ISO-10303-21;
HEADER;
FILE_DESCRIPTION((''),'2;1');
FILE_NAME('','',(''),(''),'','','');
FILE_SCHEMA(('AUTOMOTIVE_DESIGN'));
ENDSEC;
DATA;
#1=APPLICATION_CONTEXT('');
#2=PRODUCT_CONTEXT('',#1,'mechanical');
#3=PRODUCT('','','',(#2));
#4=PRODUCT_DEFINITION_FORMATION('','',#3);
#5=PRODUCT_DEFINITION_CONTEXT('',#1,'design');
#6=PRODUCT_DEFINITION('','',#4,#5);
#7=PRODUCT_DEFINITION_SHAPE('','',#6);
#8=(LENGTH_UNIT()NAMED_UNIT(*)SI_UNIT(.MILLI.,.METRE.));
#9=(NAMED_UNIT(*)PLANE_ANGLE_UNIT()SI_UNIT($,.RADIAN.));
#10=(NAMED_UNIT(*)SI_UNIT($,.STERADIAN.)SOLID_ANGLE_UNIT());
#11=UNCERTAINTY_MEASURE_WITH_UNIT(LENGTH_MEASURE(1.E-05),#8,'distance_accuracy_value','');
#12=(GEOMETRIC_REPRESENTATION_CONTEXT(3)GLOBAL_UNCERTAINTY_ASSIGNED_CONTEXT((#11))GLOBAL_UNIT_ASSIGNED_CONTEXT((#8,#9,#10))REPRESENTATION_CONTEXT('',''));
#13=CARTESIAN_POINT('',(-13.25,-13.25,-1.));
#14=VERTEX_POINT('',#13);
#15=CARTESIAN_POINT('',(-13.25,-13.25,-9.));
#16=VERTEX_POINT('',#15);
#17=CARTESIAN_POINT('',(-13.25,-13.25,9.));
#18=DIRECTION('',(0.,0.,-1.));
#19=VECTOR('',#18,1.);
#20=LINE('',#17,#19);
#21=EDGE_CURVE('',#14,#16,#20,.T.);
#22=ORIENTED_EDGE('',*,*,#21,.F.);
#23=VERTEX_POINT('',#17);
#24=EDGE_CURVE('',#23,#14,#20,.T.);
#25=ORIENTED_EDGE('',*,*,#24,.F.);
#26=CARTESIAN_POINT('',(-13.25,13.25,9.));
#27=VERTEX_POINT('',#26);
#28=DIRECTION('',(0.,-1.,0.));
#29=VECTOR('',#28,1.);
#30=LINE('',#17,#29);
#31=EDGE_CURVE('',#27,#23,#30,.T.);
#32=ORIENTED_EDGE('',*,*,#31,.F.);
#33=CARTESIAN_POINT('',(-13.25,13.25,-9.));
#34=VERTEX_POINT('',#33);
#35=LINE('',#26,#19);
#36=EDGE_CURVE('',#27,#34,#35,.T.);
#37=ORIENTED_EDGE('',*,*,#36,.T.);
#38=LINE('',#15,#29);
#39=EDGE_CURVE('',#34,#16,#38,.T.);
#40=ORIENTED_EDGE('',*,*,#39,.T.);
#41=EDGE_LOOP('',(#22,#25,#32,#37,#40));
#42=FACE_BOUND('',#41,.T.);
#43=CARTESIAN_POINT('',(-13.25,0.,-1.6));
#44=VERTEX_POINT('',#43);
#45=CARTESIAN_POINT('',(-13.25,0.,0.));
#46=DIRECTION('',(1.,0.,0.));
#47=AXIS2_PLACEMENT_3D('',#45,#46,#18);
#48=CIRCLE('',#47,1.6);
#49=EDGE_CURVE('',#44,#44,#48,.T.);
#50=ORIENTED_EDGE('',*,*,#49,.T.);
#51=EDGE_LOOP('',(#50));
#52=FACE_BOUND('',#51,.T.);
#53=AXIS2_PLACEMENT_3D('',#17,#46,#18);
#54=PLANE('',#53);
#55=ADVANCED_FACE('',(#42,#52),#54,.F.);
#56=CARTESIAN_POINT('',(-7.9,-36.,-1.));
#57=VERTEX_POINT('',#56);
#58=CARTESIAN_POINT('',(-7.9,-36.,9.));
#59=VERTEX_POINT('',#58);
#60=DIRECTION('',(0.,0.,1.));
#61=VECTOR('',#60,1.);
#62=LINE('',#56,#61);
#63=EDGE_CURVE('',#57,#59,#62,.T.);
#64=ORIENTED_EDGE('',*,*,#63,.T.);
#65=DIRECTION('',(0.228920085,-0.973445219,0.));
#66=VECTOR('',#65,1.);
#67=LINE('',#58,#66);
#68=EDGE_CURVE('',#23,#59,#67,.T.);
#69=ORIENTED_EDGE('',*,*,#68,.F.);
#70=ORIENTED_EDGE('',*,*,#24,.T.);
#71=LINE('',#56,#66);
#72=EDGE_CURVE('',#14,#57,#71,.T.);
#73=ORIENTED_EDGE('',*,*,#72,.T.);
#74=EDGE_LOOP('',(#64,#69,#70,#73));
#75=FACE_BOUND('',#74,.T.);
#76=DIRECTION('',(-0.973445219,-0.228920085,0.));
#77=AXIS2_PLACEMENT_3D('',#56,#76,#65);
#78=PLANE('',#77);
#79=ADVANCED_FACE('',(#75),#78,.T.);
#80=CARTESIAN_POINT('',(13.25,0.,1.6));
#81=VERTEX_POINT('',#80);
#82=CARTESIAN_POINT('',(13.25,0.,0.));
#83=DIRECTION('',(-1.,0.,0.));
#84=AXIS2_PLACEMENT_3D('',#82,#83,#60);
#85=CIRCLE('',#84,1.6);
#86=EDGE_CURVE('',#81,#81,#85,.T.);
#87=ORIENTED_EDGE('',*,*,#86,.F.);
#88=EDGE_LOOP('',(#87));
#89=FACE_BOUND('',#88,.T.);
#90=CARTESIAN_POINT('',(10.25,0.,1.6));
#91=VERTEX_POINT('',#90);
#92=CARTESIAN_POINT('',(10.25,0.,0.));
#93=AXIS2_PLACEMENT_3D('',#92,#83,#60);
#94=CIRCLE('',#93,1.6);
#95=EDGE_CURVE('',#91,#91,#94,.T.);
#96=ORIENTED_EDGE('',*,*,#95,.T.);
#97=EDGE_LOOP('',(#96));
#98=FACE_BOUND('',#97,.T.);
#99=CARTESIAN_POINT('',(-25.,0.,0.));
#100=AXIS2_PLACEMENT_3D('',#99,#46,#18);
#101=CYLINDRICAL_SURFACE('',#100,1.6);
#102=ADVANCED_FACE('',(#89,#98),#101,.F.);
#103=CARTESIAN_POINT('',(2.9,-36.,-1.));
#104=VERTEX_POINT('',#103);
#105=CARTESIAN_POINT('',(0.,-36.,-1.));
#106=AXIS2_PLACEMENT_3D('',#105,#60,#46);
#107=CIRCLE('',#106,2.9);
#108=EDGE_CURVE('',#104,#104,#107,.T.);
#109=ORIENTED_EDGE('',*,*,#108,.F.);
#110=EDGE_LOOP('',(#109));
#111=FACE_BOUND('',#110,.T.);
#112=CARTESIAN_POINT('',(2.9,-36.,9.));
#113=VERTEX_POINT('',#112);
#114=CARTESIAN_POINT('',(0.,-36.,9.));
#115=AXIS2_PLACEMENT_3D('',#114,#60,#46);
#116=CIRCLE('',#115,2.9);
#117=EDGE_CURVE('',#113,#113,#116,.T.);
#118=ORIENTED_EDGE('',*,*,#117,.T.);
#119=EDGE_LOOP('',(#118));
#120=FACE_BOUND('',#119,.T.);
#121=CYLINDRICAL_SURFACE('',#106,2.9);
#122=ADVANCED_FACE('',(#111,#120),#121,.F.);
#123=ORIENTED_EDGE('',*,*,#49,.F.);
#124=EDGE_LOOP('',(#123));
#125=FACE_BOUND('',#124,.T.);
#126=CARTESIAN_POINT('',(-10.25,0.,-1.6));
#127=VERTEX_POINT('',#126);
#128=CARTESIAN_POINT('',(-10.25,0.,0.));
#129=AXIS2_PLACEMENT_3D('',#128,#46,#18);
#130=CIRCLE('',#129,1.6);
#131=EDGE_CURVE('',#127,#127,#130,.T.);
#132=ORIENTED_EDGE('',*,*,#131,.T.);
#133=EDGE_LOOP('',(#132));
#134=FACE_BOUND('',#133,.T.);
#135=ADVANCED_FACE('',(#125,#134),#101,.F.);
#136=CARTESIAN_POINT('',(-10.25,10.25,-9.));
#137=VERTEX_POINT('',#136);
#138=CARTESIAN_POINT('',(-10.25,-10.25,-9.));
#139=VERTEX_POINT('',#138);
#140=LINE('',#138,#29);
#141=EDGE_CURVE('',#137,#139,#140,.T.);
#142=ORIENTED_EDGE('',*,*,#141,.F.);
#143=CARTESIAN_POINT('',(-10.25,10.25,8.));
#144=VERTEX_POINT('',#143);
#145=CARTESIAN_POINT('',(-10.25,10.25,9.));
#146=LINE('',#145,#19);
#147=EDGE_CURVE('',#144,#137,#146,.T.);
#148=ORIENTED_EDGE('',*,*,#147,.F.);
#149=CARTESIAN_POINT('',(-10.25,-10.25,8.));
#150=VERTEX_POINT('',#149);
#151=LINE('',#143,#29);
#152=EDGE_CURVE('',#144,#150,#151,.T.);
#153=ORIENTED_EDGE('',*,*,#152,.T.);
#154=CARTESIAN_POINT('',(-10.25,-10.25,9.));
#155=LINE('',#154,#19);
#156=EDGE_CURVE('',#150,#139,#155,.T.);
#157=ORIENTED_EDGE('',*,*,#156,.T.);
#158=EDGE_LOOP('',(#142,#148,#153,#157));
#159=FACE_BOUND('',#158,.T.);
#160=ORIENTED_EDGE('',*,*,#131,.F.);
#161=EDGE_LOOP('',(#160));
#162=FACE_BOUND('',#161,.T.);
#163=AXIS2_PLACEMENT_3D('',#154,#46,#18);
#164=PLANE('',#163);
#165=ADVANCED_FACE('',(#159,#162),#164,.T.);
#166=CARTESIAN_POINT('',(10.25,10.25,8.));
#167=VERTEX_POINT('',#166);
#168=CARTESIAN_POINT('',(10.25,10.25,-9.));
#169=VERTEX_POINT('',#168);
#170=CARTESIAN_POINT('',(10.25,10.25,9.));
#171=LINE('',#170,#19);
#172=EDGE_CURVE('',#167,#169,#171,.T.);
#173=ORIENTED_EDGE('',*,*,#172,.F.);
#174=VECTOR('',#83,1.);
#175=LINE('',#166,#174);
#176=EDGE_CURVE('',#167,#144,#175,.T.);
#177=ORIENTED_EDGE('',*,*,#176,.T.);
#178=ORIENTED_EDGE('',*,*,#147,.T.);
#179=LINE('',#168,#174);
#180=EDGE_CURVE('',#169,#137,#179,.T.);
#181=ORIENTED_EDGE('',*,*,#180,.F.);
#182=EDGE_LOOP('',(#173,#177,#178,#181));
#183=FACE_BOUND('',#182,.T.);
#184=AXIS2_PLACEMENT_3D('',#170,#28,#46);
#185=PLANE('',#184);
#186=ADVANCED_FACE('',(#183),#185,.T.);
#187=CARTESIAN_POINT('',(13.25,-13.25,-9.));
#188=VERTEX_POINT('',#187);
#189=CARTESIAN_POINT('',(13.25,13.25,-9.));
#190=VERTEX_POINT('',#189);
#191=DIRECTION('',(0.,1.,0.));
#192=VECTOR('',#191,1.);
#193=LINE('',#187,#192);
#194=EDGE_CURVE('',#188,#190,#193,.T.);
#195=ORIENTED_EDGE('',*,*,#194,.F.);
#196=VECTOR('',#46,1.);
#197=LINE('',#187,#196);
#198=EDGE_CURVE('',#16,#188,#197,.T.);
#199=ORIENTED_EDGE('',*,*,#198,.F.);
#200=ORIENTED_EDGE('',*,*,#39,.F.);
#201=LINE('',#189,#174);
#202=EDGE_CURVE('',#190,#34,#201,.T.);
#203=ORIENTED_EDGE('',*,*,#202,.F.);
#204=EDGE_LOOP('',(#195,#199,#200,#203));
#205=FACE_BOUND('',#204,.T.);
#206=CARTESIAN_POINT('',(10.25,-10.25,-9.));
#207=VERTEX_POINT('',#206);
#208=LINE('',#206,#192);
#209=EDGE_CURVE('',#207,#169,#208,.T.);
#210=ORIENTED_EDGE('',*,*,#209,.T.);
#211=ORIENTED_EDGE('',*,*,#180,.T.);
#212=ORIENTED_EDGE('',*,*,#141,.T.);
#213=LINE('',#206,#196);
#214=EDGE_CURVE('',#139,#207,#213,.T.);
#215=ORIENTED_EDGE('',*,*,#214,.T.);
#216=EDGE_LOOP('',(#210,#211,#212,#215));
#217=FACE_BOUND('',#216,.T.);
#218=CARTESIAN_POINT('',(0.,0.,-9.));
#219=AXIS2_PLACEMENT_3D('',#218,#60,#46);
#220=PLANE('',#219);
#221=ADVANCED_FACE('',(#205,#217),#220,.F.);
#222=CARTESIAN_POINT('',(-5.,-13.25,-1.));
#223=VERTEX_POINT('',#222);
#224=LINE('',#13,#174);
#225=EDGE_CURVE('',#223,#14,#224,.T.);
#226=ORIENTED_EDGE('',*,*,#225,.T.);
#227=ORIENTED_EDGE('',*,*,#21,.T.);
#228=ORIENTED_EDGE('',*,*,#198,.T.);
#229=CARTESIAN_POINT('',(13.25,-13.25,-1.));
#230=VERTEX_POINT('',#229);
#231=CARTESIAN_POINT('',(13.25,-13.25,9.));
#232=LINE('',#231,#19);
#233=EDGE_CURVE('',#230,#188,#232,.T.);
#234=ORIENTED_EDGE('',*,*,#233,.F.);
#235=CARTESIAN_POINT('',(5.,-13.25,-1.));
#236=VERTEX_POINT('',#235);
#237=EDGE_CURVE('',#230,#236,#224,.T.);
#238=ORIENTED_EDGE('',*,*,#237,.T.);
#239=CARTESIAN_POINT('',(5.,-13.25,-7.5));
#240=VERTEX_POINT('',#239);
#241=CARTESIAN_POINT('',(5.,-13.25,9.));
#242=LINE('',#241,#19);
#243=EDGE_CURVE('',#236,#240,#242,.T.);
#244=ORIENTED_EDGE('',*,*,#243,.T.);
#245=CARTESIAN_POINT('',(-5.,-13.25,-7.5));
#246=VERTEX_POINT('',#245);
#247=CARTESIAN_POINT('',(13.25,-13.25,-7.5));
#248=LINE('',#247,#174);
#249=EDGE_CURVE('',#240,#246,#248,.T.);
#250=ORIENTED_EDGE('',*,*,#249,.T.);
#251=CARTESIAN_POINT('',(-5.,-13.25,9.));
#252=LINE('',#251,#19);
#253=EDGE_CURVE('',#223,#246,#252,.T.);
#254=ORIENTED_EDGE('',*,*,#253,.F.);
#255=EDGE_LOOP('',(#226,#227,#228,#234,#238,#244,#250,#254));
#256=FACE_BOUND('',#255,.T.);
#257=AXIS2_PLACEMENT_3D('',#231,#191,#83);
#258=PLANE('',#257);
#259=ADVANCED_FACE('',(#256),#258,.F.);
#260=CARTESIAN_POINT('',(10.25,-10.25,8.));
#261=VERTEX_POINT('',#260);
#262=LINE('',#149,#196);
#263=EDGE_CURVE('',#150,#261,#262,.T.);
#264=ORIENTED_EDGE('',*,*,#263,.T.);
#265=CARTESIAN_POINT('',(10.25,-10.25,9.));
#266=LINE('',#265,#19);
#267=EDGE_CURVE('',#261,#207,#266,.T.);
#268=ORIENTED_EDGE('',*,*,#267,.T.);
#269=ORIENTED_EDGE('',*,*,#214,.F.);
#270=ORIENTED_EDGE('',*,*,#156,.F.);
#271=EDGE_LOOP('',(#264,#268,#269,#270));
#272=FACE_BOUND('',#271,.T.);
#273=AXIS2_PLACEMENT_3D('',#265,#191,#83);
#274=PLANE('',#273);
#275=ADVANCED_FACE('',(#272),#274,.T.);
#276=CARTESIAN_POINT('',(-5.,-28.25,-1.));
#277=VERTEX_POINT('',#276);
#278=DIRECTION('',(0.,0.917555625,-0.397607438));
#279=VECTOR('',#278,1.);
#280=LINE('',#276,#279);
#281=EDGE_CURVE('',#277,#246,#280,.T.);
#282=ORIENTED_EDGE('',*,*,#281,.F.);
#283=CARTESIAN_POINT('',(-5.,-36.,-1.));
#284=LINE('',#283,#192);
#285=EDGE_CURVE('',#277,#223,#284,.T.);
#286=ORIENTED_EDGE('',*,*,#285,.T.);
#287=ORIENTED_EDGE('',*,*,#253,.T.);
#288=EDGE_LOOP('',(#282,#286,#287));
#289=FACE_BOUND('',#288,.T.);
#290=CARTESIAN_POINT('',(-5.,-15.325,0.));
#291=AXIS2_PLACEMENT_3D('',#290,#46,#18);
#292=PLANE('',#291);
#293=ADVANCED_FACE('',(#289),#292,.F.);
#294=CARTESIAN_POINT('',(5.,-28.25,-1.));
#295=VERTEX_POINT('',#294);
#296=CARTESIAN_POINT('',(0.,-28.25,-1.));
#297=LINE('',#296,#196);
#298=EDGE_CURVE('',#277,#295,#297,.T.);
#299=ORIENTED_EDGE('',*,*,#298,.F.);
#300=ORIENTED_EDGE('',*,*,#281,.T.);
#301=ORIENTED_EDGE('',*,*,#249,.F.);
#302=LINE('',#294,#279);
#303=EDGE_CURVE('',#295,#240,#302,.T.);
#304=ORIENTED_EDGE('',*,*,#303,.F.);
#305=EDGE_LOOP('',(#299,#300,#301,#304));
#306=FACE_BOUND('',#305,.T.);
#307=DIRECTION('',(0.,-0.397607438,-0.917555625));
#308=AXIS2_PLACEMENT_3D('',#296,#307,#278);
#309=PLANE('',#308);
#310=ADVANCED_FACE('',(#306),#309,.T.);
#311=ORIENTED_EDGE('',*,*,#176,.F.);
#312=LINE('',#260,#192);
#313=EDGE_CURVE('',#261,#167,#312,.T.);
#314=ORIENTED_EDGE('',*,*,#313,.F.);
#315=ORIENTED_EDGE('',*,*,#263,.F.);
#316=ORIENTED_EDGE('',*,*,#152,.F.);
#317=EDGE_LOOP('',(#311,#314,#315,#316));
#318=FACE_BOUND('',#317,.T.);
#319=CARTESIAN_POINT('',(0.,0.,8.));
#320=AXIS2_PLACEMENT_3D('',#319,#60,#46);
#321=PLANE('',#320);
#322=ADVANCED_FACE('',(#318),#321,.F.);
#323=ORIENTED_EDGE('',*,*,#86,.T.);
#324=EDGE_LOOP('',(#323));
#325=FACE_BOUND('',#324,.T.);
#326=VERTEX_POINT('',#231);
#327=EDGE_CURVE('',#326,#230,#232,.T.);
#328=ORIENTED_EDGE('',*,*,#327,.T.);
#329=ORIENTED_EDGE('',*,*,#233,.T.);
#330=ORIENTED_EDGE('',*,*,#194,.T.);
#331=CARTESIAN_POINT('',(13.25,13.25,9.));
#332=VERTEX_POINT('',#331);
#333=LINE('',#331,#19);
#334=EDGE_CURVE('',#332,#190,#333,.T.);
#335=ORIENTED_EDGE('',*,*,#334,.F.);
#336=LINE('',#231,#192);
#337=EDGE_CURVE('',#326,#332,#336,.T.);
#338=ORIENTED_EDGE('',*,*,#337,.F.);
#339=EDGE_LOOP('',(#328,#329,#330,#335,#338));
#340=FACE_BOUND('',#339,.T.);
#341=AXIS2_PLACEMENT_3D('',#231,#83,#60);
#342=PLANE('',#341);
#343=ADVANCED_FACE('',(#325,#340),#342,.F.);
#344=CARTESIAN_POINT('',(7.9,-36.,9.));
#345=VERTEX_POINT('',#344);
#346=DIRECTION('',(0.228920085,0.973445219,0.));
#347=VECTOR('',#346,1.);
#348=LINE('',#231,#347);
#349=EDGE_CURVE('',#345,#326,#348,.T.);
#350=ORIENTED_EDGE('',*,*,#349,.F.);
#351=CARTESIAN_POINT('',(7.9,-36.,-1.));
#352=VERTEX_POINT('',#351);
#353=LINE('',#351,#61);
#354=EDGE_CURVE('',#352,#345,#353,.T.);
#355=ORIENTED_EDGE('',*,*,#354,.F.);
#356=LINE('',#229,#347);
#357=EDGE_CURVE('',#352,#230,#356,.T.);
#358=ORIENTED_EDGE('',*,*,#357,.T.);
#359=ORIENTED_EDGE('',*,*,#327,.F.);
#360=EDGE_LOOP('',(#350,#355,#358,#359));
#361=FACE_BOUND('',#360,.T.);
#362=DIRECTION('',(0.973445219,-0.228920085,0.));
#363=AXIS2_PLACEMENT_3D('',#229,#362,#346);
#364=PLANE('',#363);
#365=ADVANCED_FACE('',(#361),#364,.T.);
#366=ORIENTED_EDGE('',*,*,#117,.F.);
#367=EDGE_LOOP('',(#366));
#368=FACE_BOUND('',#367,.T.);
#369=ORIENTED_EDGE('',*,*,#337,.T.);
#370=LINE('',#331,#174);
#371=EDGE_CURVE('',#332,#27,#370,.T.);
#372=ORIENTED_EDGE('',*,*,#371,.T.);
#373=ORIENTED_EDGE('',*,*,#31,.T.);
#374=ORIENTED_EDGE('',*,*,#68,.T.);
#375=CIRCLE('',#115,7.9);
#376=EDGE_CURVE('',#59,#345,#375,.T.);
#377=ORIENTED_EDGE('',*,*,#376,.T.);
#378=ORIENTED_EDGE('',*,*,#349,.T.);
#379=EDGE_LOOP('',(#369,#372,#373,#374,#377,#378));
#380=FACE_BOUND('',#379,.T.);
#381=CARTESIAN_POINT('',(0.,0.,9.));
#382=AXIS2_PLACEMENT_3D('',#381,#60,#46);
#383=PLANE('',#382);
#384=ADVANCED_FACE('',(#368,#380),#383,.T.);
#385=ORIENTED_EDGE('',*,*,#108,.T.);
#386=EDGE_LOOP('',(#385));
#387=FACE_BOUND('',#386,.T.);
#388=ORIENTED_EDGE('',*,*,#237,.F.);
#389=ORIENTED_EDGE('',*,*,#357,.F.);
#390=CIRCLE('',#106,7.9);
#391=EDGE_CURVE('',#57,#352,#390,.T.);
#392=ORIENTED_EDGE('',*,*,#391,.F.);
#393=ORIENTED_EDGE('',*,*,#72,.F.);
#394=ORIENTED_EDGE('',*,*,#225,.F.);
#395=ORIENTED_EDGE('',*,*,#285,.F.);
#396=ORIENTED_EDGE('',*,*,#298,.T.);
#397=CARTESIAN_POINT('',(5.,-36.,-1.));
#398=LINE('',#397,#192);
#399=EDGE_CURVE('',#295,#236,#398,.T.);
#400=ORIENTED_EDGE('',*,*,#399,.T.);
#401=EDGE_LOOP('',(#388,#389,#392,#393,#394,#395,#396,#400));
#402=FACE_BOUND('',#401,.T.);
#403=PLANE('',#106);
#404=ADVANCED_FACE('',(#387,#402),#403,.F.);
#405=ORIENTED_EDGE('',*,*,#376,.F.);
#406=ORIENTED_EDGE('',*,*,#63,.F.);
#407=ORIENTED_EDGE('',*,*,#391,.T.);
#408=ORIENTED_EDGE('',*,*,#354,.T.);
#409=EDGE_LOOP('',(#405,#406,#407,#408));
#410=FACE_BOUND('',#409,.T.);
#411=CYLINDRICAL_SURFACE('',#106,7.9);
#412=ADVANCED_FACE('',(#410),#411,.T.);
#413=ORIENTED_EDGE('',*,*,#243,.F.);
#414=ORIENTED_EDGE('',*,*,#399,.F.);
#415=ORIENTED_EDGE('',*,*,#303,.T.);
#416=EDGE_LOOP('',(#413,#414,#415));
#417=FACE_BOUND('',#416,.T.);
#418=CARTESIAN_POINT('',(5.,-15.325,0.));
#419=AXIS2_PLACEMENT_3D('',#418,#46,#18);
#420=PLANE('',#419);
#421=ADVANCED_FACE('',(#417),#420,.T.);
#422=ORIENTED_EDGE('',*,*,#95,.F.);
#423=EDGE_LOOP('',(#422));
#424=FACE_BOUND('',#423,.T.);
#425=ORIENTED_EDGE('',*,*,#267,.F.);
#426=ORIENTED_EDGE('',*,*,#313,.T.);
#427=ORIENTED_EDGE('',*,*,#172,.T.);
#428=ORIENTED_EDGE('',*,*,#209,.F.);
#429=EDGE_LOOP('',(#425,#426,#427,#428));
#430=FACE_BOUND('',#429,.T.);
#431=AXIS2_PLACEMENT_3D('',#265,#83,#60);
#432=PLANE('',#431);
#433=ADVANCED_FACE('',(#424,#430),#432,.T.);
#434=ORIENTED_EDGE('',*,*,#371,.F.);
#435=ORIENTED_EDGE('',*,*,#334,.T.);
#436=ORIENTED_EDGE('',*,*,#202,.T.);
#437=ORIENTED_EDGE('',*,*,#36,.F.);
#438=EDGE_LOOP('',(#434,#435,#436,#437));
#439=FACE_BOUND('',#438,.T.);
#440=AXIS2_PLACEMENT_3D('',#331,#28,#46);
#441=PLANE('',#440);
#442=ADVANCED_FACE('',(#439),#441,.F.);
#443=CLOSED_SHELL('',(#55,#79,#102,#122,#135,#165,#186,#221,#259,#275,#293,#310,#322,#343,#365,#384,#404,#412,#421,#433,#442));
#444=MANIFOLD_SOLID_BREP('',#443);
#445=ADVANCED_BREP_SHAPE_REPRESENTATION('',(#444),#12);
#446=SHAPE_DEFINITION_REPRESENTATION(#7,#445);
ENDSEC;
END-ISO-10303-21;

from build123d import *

# Parameters (mm, degrees)
CROQUIS1_W                   = 26.5
CROQUIS1_H                   = 26.5
CROQUIS1_W_2                 = 20.5
CROQUIS1_H_2                 = 20.5
SALIENTE_EXTRUIR1_DEPTH      = 9
SALIENTE_EXTRUIR2_DEPTH      = 9
SALIENTE_EXTRUIR2_DEPTH_BACK = 1
CROQUIS2_R                   = 2.9
CROQUIS5_W                   = 20.5
CROQUIS5_H                   = 20.5
SALIENTE_EXTRUIR3_DEPTH      = 1
NERVIO6_REACH                = 48.731
CROQUIS3_WALL_W              = 111.809486112
CROQUIS3_WALL_H              = 10
CROQUIS4_R                   = 1.6
CORTAR_EXTRUIR2_DEPTH        = 25


with BuildPart() as part:
    # Croquis1 → Saliente-Extruir1 (new, symmetric)
    with BuildSketch(Plane.XY):
        Rectangle(CROQUIS1_W, CROQUIS1_H)
        Rectangle(CROQUIS1_W_2, CROQUIS1_H_2, mode=Mode.SUBTRACT)
    extrude(amount=SALIENTE_EXTRUIR1_DEPTH, both=True)

    # Croquis2 → Saliente-Extruir2 (add, two sides: drawn at the far end of the back side and taken through both)
    with BuildSketch(Plane.XY.offset(-SALIENTE_EXTRUIR2_DEPTH_BACK)):
        with BuildLine():
            Line((-7.9, -36), (-13.25, -13.25))
            Line((-13.25, -13.25), (13.25, -13.25))
            Line((13.25, -13.25), (7.9, -36))
            ThreePointArc((7.9, -36), (0, -43.9), (-7.9, -36))
        make_face()
        with Locations((0, -36)):
            Circle(CROQUIS2_R, mode=Mode.SUBTRACT)
    extrude(amount=SALIENTE_EXTRUIR2_DEPTH + SALIENTE_EXTRUIR2_DEPTH_BACK)

    # Croquis5 → Saliente-Extruir3 (add)
    with BuildSketch(Plane.XY.offset(9)):
        Rectangle(CROQUIS5_W, CROQUIS5_H)
    extrude(amount=-SALIENTE_EXTRUIR3_DEPTH)

    # Croquis3 wall → Nervio6 (add, up to next)
    with BuildSketch(Plane(origin=(0, -20.75, -4.25), x_dir=(0, 0.91755562531, -0.397607437634), z_dir=(0, 0.397607437634, 0.91755562531)), mode=Mode.PRIVATE) as nervio6_sk1:
        Rectangle(CROQUIS3_WALL_W, CROQUIS3_WALL_H)
    nervio6_tool1 = extrude(nervio6_sk1.sketch, amount=NERVIO6_REACH, mode=Mode.PRIVATE) - part.part
    add(nervio6_tool1.solids().sort_by_distance((0, -20.75, -4.25))[0])

    # Croquis4 → Cortar-Extruir2 (cut, symmetric)
    with BuildSketch(Plane(origin=(0, 0, 0), x_dir=(0, 0, -1), z_dir=(1, 0, 0))):
        Circle(CROQUIS4_R)
    extrude(amount=CORTAR_EXTRUIR2_DEPTH, both=True, mode=Mode.SUBTRACT)


solid = part.part
